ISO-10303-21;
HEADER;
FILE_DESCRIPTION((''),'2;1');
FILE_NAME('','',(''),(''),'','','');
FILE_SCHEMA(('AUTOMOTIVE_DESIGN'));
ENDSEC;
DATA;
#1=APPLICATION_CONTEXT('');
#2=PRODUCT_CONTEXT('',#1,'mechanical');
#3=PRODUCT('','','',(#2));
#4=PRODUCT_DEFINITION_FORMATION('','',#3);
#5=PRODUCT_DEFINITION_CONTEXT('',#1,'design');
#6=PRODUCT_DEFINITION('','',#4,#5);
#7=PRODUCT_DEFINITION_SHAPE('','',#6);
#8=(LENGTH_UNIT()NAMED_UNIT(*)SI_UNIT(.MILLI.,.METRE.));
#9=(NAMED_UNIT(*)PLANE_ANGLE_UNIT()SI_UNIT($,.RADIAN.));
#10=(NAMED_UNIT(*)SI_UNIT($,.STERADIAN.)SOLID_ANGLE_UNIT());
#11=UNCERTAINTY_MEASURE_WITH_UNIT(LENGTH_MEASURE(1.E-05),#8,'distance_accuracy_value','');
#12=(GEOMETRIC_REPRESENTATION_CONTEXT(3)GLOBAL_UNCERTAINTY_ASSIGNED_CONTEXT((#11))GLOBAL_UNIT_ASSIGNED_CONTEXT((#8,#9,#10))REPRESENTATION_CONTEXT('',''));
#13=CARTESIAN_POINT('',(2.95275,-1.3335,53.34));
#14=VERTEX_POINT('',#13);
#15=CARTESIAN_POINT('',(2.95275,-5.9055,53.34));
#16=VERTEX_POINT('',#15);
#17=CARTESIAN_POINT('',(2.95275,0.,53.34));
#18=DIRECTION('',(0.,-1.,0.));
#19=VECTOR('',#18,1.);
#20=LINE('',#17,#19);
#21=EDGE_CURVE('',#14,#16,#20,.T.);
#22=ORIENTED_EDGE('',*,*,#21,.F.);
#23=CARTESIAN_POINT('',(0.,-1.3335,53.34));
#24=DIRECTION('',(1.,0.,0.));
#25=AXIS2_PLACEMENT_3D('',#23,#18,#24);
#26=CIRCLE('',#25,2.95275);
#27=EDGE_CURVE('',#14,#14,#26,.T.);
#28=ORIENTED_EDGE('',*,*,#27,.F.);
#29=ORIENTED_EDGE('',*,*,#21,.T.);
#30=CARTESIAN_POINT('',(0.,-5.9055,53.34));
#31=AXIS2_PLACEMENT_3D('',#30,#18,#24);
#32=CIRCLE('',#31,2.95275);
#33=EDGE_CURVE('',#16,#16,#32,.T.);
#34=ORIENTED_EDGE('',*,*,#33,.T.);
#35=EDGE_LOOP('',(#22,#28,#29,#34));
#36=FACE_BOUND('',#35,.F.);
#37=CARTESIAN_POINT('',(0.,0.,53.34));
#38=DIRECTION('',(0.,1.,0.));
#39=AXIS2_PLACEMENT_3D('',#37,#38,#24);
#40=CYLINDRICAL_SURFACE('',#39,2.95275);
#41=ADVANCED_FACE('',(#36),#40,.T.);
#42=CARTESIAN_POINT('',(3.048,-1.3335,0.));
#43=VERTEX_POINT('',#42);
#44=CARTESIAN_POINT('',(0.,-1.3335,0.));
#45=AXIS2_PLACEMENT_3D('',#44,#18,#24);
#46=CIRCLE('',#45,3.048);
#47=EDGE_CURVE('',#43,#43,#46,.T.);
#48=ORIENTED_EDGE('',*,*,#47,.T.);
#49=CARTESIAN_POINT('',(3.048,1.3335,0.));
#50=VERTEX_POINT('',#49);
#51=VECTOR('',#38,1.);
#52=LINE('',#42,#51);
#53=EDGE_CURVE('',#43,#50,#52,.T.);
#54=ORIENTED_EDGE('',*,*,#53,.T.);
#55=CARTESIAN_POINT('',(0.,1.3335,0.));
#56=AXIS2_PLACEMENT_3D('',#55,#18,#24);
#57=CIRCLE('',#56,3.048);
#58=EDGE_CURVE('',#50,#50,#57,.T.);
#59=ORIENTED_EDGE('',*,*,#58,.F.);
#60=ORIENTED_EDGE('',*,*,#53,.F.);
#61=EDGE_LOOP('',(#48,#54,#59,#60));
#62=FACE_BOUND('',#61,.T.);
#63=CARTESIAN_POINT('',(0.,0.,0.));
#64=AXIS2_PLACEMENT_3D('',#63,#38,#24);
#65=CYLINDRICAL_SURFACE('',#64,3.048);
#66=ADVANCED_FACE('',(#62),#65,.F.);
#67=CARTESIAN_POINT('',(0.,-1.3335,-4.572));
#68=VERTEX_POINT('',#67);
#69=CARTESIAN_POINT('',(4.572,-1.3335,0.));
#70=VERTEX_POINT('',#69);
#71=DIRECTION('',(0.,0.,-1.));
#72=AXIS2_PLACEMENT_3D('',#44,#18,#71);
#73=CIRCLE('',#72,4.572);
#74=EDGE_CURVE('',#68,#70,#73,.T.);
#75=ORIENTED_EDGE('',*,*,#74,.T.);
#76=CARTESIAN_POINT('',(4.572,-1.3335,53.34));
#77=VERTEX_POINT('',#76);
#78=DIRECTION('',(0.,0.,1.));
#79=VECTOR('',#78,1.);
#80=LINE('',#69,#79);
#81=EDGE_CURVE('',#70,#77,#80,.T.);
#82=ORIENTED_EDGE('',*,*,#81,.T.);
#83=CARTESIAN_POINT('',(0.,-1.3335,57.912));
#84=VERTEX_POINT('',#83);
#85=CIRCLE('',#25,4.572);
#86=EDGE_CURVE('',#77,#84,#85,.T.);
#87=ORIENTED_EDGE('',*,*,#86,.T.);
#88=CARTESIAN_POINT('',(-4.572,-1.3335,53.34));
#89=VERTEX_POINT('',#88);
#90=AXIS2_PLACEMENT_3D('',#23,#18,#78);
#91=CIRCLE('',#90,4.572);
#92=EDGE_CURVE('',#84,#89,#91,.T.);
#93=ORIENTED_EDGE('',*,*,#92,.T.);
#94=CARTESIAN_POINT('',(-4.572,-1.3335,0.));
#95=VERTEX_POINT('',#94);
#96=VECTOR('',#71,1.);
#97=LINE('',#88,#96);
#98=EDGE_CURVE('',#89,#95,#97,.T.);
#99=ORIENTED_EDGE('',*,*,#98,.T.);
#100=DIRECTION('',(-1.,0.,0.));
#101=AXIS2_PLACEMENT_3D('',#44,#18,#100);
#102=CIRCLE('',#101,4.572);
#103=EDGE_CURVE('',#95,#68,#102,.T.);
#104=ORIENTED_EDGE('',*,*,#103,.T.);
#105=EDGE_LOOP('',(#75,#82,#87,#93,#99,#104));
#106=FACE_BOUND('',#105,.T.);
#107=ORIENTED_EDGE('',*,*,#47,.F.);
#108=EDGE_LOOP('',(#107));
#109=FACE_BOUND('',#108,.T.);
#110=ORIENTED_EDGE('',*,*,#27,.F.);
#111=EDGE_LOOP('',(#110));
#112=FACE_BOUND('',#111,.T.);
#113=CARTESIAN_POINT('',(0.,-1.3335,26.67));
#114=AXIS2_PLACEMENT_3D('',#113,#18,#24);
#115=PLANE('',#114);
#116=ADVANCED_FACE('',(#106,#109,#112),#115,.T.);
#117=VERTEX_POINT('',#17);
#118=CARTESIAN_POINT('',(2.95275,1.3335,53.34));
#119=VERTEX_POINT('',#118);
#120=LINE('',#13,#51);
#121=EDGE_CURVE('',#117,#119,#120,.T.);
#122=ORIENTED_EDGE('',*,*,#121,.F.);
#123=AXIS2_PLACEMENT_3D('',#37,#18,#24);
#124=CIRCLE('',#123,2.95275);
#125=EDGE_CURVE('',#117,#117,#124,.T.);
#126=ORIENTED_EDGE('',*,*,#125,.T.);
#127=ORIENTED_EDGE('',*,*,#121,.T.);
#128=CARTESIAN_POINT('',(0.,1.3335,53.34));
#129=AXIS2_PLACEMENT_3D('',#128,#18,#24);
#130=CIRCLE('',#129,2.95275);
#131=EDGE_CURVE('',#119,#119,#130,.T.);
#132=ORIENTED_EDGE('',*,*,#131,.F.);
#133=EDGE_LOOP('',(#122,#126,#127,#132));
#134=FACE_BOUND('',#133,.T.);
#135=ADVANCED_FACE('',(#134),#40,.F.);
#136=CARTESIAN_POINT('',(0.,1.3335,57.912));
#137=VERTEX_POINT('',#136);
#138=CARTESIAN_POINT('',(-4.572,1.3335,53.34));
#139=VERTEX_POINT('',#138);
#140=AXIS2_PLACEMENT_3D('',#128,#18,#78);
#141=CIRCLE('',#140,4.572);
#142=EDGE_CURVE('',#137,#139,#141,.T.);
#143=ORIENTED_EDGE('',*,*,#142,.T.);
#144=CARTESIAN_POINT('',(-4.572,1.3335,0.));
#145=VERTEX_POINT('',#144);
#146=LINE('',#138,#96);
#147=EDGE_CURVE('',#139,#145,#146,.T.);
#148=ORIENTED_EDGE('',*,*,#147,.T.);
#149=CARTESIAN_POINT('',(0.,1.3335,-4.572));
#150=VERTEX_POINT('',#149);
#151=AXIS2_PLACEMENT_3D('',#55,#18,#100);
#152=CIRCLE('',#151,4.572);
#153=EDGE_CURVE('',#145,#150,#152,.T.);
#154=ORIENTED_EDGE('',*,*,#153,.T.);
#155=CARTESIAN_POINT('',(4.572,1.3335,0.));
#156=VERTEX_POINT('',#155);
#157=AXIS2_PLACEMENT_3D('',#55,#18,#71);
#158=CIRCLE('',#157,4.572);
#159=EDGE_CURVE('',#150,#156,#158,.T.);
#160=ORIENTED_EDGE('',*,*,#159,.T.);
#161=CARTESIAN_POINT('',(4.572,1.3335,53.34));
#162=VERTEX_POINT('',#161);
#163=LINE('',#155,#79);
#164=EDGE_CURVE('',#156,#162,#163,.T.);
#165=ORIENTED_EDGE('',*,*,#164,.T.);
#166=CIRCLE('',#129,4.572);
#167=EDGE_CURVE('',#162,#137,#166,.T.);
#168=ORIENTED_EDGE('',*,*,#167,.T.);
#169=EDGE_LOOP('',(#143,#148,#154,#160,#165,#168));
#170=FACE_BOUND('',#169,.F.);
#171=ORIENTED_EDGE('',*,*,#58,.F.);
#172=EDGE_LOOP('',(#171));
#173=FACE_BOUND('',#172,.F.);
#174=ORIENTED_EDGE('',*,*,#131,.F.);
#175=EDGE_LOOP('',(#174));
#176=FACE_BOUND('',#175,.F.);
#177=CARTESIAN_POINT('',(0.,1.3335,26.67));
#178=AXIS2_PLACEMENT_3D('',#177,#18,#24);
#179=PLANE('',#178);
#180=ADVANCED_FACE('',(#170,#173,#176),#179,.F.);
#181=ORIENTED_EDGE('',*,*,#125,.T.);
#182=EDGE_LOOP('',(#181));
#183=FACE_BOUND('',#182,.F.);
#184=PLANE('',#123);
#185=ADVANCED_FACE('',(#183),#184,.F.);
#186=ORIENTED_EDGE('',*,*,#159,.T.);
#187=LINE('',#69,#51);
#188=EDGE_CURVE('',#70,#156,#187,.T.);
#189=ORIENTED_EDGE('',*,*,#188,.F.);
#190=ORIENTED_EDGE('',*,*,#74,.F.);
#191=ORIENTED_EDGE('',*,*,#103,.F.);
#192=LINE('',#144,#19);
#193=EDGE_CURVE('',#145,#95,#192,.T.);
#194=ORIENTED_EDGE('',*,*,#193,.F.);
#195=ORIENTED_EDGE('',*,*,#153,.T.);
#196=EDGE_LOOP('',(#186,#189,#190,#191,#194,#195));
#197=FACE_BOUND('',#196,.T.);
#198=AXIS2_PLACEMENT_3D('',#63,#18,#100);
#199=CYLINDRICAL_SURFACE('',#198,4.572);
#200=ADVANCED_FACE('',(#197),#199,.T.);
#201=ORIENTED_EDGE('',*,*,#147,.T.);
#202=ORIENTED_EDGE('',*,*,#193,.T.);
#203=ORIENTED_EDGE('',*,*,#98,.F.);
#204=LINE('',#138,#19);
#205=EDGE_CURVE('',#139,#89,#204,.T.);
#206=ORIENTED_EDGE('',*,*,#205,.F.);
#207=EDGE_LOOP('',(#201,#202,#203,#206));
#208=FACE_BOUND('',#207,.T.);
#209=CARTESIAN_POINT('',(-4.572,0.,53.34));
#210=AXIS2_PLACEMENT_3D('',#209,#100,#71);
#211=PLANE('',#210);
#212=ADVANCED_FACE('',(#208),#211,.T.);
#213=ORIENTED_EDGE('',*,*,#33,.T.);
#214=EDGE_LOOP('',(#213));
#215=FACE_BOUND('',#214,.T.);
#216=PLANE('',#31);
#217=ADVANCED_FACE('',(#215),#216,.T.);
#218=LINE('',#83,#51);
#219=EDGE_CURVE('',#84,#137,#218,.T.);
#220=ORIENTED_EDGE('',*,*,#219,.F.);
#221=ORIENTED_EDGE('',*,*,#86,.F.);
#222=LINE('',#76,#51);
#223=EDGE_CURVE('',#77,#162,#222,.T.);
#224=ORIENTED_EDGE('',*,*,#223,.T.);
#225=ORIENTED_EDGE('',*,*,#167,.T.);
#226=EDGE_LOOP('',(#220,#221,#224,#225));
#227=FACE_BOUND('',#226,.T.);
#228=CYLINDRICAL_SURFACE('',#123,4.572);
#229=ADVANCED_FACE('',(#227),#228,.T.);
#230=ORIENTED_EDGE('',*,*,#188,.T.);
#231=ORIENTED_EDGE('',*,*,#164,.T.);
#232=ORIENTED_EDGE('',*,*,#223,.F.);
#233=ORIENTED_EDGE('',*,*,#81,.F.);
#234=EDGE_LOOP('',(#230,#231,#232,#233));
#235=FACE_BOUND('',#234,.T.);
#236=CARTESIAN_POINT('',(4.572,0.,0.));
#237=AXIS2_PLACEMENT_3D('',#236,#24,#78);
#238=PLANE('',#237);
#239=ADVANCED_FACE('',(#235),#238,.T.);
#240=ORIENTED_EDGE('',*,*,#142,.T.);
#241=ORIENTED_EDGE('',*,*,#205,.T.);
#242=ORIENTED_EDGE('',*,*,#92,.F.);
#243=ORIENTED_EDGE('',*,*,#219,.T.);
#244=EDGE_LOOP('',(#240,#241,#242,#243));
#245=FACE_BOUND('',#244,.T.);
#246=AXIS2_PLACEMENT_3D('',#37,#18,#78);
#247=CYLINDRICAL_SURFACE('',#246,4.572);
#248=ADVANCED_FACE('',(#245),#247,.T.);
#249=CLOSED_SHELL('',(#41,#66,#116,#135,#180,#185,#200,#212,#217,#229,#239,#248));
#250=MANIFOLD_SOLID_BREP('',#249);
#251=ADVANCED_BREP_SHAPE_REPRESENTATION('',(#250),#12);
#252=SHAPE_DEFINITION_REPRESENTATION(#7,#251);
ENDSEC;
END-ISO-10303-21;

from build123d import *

# Parameters (mm, degrees)
F0_R     = 0.4064
F0_R_2   = 0.3937
F1_DEPTH = 0.1778
F2_DEPTH = 0.7874
F3_SCALE = 7.5


with BuildPart() as f1:
    # F0 (on Front) → F1 (new body, symmetric)
    with BuildSketch(Plane.XZ):
        with BuildLine():
            ThreePointArc((0, 7.7216), (-0.4310522938, 7.5430522938), (-0.6096, 7.112))
            Line((-0.6096, 7.112), (-0.6096, 0))
            ThreePointArc((-0.6096, 0), (-0.4310522938, -0.4310522938), (0, -0.6096))
            ThreePointArc((0, -0.6096), (0.4310522938, -0.4310522938), (0.6096, 0))
            Line((0.6096, 0), (0.6096, 7.112))
            ThreePointArc((0.6096, 7.112), (0.4310522938, 7.5430522938), (0, 7.7216))
        make_face()
        Circle(F0_R, mode=Mode.SUBTRACT)
        with Locations((0, 7.112)):
            Circle(F0_R_2, mode=Mode.SUBTRACT)
    extrude(amount=F1_DEPTH, both=True)

    # F0 (on Front) → F2 (join)
    with BuildSketch(Plane.XZ):
        with Locations((0, 7.112)):
            Circle(F0_R_2)
    extrude(amount=F2_DEPTH)


with BuildPart() as f1_1:
    # F3: moved
    add(f1.part.scale(F3_SCALE))


solid = f1_1.part
